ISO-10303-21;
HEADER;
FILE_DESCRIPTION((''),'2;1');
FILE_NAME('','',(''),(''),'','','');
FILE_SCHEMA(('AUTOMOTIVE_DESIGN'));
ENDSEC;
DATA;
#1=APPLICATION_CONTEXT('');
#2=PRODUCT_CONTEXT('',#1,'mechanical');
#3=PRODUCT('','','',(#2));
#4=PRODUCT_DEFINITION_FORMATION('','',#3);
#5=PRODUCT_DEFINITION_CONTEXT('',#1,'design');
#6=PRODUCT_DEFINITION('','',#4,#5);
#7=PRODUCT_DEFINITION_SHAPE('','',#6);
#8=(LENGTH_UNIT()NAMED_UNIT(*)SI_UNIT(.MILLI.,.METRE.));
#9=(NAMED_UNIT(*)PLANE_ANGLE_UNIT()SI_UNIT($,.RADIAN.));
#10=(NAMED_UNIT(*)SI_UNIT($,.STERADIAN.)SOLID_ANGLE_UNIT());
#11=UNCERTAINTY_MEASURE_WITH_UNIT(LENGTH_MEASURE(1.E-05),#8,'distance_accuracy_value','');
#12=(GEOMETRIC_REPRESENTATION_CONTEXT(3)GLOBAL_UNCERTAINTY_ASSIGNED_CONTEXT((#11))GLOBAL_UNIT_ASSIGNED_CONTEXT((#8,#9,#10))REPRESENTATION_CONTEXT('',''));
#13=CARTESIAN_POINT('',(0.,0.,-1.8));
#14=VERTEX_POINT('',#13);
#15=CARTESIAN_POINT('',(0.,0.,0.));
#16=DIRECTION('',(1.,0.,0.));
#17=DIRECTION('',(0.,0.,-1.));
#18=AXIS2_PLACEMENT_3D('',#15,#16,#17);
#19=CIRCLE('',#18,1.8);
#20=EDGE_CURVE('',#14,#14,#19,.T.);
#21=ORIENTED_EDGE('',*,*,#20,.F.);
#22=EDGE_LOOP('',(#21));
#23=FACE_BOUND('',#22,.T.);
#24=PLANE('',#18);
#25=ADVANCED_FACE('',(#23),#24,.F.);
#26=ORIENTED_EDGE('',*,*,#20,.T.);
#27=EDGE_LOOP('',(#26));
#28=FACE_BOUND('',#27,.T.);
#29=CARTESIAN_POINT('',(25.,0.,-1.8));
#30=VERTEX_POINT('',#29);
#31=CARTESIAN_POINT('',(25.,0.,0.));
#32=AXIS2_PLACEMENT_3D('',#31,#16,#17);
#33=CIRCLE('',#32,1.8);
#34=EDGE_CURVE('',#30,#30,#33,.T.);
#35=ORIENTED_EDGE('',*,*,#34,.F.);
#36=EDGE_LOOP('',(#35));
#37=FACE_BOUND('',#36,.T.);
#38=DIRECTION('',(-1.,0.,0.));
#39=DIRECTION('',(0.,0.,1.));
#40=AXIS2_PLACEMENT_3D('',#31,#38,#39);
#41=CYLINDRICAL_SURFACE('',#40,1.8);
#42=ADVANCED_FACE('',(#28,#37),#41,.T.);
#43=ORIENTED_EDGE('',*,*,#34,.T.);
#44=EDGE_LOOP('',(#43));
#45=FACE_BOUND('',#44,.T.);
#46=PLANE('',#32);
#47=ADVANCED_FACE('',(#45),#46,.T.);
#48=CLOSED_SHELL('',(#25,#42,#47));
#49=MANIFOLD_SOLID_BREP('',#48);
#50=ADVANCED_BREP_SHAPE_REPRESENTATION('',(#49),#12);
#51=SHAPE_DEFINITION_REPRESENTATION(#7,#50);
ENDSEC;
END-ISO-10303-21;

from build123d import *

# Parameters (mm, degrees)
SKETCH_5_R      = 1.8
EXTRUDE_1_DEPTH = 25


with BuildPart() as part:
    # 草图5 → 凸台-拉伸1 (new body)
    with BuildSketch(Plane(origin=(0, 0, 0), x_dir=(0, 0, -1), z_dir=(1, 0, 0))):
        Circle(SKETCH_5_R)
    extrude(amount=EXTRUDE_1_DEPTH)


solid = part.part
